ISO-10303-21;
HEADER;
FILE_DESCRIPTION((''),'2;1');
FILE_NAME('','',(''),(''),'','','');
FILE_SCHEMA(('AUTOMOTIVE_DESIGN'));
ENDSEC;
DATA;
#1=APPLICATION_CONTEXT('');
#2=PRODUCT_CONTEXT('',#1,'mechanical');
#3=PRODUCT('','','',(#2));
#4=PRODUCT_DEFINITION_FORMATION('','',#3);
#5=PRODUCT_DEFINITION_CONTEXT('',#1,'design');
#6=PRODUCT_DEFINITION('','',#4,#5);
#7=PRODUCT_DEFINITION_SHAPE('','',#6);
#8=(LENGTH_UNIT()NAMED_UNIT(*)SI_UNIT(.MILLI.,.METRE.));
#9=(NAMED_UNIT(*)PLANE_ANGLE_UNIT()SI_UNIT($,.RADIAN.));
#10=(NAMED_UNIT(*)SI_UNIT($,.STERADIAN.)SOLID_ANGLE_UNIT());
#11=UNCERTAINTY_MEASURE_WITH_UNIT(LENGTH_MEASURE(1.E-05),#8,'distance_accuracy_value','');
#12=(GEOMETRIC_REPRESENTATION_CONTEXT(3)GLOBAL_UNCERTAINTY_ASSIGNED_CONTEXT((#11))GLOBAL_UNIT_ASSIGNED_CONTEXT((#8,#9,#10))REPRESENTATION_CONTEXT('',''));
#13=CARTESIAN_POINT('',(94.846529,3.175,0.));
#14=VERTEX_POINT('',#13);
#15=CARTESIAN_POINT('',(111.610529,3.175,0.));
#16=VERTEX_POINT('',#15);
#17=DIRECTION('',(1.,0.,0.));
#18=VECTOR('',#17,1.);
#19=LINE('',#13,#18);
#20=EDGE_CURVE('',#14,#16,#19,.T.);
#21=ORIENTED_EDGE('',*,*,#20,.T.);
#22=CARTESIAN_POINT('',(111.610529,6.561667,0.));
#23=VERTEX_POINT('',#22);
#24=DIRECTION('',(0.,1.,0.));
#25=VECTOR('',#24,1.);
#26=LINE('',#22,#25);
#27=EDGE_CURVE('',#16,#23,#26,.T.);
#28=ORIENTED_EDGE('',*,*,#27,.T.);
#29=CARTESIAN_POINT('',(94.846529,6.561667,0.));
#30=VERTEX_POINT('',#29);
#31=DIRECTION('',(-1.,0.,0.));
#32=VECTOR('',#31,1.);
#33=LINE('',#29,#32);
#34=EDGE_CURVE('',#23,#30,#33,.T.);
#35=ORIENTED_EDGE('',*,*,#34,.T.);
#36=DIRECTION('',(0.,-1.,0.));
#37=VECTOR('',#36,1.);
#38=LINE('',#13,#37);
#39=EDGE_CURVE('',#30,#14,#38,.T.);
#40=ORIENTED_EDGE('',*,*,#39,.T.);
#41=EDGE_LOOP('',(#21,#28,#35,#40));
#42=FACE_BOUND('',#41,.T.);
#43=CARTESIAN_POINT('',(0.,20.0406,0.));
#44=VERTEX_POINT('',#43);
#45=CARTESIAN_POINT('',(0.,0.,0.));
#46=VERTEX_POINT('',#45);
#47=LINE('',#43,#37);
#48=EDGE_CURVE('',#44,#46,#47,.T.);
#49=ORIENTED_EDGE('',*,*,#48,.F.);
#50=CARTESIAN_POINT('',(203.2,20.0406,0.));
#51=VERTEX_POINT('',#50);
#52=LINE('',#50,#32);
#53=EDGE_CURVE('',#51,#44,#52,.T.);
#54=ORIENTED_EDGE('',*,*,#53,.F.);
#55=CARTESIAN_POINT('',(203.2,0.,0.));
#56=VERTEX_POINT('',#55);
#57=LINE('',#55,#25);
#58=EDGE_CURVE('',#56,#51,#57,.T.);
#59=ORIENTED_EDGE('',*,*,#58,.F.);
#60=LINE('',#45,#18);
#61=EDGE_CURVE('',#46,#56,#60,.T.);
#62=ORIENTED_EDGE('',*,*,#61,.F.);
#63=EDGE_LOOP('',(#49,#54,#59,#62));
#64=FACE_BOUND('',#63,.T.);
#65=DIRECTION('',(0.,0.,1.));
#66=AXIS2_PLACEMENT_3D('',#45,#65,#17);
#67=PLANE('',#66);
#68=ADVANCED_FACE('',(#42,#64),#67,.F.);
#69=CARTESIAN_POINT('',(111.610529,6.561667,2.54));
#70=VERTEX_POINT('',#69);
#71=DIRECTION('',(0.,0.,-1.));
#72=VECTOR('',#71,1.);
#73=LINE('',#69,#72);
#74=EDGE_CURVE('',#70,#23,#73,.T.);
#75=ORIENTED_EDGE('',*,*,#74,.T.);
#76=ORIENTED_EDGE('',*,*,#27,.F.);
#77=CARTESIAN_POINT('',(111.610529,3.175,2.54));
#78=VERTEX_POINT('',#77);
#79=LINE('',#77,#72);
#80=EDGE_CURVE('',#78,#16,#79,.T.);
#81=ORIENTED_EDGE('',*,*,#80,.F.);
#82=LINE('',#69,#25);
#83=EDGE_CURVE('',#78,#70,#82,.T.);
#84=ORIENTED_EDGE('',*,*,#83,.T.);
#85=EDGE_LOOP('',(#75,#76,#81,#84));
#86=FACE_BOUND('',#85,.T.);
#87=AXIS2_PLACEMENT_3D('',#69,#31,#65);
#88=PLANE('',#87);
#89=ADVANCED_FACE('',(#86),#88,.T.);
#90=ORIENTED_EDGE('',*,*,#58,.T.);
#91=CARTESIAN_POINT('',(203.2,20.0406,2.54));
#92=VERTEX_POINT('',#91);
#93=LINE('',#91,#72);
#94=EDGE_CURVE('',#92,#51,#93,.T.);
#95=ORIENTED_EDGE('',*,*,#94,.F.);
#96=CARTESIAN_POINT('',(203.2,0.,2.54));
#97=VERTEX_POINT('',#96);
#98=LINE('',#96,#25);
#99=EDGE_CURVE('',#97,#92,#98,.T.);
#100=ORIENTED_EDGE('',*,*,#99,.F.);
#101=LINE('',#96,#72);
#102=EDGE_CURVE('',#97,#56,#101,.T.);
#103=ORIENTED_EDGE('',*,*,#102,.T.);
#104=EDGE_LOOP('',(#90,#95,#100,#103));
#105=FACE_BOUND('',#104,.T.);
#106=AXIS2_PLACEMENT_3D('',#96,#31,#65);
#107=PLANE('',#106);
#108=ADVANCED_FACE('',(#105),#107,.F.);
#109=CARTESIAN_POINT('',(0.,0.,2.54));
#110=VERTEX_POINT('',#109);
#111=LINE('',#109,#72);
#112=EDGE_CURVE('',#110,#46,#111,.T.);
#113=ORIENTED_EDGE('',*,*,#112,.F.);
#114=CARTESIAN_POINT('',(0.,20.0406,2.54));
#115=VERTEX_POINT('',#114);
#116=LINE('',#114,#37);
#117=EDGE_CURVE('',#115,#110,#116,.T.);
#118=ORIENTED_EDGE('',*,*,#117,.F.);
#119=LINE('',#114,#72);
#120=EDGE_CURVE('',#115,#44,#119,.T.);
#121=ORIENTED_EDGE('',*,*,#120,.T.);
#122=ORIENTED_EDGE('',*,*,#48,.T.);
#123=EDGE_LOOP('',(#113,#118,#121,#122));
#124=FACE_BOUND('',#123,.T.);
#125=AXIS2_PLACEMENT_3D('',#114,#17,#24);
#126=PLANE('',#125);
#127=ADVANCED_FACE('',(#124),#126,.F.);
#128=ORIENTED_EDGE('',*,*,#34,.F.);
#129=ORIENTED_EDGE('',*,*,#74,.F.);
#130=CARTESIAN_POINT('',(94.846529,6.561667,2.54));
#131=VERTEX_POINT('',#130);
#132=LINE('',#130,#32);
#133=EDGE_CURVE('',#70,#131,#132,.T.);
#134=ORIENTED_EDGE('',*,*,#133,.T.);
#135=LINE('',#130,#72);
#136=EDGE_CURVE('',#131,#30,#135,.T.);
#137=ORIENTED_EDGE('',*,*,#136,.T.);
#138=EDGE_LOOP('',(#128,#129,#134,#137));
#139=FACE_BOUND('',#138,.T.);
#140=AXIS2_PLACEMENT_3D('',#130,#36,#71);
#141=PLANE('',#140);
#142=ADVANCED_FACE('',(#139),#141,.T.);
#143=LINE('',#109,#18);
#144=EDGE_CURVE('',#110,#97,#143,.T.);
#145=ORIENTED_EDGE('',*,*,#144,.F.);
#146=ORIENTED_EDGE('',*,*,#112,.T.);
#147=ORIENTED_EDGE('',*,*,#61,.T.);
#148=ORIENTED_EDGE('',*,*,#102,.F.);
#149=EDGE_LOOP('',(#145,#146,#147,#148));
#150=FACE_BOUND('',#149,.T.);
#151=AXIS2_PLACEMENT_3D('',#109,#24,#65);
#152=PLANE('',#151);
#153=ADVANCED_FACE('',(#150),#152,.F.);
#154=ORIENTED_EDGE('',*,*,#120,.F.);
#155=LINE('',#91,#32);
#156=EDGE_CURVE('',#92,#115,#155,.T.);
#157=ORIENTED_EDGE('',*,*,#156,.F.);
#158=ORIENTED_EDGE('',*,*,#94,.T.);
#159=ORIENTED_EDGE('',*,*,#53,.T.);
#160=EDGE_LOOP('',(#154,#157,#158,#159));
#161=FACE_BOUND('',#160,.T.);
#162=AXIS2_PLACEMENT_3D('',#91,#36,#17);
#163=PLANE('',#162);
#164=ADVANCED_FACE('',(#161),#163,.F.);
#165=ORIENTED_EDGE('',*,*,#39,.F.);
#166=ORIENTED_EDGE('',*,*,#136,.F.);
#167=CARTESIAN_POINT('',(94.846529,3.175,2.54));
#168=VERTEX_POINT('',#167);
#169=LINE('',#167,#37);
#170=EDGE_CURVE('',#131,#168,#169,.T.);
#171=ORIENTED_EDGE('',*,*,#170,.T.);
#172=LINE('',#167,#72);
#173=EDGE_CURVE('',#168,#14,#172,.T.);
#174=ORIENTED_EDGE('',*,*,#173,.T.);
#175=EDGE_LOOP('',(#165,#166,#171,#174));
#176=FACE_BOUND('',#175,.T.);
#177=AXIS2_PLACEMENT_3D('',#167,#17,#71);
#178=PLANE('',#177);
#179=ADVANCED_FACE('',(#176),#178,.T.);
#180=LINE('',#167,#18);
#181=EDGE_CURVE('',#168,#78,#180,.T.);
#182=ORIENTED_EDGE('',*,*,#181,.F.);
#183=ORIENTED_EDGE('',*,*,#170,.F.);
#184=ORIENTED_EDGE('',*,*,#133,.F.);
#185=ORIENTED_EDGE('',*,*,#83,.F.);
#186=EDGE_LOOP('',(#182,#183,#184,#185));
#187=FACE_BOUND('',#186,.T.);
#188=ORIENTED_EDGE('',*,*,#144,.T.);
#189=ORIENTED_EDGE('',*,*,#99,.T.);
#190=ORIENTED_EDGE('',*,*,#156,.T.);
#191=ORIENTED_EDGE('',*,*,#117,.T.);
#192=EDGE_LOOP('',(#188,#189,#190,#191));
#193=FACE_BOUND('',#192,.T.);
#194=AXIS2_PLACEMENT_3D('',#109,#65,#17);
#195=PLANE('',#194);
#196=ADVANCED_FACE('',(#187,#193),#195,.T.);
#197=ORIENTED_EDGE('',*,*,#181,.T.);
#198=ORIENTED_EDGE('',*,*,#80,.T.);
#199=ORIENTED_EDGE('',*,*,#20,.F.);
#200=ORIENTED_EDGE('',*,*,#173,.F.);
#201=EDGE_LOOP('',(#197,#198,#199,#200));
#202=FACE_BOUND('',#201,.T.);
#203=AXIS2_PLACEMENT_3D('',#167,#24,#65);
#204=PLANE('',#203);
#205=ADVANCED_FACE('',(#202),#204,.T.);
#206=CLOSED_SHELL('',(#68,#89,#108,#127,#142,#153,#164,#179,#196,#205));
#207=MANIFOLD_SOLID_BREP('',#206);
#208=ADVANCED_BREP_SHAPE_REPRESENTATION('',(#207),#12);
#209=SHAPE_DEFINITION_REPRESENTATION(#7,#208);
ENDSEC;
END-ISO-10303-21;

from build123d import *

# Parameters (mm, degrees)
SKETCH1_W           = 203.2
SKETCH1_H           = 20.0406
SKETCH1_W_2         = 16.764
SKETCH1_H_2         = 3.386666667
BOSS_EXTRUDE1_DEPTH = 2.54


with BuildPart() as part:
    # Sketch1 → Boss-Extrude1 (new body)
    with BuildSketch(Plane.XY):
        with Locations((101.6, 10.0203)):
            Rectangle(SKETCH1_W, SKETCH1_H)
        with Locations((103.22852928, 4.868333334)):
            Rectangle(SKETCH1_W_2, SKETCH1_H_2, mode=Mode.SUBTRACT)
    extrude(amount=BOSS_EXTRUDE1_DEPTH)


solid = part.part
